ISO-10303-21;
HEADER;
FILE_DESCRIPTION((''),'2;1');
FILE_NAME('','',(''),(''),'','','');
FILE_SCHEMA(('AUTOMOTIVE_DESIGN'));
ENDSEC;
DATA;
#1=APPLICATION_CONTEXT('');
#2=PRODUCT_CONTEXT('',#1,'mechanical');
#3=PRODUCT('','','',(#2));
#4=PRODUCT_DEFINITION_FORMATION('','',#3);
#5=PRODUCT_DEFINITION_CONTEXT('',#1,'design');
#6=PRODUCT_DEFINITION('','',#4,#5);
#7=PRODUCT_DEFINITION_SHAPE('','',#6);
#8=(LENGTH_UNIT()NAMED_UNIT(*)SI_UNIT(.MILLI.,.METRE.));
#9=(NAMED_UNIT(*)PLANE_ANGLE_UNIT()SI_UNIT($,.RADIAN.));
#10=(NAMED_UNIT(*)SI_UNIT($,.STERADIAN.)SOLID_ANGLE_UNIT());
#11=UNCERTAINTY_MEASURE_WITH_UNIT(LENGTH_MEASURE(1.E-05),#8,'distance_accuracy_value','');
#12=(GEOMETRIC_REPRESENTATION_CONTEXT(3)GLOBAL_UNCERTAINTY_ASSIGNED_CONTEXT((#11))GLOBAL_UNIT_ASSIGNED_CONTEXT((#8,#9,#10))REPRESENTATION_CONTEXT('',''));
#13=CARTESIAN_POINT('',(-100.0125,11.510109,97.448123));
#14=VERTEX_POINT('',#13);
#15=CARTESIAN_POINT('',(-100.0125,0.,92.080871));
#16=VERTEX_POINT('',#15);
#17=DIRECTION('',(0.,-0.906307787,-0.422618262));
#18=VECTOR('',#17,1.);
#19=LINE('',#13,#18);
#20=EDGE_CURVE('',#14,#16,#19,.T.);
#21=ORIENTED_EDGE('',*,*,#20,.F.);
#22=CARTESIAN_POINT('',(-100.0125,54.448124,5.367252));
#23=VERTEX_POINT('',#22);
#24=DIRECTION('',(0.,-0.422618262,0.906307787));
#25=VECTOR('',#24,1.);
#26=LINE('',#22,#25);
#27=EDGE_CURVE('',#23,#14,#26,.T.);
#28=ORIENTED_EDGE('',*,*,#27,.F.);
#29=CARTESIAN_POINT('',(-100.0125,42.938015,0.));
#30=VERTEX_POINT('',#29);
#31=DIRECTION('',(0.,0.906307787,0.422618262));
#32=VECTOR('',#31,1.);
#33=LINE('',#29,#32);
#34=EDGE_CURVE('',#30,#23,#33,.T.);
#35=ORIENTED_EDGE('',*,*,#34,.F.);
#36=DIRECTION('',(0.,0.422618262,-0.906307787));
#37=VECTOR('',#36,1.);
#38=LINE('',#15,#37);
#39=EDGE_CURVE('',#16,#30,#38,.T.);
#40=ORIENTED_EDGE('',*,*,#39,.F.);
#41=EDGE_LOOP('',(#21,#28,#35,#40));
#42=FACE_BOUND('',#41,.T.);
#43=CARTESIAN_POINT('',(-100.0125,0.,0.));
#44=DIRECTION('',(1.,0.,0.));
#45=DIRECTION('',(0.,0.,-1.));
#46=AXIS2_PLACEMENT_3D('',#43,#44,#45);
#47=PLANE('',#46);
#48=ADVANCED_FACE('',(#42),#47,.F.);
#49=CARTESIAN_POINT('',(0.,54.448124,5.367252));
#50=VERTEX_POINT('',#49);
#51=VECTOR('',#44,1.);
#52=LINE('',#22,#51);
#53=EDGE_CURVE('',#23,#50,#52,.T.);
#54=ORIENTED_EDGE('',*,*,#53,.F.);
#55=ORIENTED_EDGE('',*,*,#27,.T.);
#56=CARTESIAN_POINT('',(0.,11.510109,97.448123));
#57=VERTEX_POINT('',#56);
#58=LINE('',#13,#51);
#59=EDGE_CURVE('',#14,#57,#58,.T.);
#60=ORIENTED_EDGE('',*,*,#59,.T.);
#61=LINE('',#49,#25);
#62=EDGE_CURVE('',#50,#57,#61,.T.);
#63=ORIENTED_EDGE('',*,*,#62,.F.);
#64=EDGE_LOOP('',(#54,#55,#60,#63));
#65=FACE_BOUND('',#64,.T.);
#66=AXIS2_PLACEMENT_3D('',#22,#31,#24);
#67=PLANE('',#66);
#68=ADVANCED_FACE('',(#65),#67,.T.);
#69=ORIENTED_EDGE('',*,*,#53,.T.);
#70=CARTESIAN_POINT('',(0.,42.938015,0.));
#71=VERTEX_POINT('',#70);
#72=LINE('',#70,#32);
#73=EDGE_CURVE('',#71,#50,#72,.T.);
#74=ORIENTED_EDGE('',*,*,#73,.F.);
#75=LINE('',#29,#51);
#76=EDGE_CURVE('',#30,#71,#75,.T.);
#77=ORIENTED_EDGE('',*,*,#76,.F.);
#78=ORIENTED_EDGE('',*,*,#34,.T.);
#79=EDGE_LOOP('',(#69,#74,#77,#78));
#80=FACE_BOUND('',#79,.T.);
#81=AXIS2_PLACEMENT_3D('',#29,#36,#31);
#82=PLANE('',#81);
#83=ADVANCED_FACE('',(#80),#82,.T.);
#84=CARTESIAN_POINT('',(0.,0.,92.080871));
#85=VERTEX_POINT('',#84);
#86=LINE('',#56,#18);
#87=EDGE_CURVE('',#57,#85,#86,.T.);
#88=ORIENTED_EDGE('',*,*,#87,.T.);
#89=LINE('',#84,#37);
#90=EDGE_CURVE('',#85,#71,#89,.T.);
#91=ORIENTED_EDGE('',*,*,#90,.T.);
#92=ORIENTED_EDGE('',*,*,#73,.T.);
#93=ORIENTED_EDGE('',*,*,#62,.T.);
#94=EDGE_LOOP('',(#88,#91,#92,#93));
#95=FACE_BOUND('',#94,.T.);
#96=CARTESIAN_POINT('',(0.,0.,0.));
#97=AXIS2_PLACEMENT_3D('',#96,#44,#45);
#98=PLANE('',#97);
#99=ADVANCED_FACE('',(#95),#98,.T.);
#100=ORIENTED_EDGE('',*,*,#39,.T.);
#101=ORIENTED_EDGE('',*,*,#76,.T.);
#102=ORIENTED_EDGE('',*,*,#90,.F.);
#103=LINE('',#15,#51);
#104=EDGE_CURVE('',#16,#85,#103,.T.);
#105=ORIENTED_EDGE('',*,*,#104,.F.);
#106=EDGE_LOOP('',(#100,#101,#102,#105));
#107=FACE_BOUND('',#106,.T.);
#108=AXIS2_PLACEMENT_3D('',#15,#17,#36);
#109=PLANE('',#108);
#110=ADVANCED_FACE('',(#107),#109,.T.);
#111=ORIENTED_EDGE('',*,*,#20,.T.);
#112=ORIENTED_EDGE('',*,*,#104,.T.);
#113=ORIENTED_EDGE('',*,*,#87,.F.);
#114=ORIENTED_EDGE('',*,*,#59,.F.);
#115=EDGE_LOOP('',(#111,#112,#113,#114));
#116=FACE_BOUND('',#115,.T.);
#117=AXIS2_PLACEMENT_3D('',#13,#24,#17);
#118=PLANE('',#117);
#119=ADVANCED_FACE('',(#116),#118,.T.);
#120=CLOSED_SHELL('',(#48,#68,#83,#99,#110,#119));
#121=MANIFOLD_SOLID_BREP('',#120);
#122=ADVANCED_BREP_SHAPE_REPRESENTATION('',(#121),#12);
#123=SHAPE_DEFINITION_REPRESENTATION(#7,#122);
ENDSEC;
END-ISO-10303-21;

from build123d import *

# Parameters (mm, degrees)
BOSS_EXTRUDE1_DEPTH = 100.0125


with BuildPart() as part:
    # Sketch3 → Boss-Extrude1 (new body)
    with BuildSketch(Plane(origin=(0, 0, 0), x_dir=(0, 0, -1), z_dir=(1, 0, 0))):
        Polygon((-92.080871163, 0), (0, 42.938015393), (-5.367251924, 54.448124288), (-97.448123087, 11.510108895), align=None)
    extrude(amount=-BOSS_EXTRUDE1_DEPTH)


solid = part.part
